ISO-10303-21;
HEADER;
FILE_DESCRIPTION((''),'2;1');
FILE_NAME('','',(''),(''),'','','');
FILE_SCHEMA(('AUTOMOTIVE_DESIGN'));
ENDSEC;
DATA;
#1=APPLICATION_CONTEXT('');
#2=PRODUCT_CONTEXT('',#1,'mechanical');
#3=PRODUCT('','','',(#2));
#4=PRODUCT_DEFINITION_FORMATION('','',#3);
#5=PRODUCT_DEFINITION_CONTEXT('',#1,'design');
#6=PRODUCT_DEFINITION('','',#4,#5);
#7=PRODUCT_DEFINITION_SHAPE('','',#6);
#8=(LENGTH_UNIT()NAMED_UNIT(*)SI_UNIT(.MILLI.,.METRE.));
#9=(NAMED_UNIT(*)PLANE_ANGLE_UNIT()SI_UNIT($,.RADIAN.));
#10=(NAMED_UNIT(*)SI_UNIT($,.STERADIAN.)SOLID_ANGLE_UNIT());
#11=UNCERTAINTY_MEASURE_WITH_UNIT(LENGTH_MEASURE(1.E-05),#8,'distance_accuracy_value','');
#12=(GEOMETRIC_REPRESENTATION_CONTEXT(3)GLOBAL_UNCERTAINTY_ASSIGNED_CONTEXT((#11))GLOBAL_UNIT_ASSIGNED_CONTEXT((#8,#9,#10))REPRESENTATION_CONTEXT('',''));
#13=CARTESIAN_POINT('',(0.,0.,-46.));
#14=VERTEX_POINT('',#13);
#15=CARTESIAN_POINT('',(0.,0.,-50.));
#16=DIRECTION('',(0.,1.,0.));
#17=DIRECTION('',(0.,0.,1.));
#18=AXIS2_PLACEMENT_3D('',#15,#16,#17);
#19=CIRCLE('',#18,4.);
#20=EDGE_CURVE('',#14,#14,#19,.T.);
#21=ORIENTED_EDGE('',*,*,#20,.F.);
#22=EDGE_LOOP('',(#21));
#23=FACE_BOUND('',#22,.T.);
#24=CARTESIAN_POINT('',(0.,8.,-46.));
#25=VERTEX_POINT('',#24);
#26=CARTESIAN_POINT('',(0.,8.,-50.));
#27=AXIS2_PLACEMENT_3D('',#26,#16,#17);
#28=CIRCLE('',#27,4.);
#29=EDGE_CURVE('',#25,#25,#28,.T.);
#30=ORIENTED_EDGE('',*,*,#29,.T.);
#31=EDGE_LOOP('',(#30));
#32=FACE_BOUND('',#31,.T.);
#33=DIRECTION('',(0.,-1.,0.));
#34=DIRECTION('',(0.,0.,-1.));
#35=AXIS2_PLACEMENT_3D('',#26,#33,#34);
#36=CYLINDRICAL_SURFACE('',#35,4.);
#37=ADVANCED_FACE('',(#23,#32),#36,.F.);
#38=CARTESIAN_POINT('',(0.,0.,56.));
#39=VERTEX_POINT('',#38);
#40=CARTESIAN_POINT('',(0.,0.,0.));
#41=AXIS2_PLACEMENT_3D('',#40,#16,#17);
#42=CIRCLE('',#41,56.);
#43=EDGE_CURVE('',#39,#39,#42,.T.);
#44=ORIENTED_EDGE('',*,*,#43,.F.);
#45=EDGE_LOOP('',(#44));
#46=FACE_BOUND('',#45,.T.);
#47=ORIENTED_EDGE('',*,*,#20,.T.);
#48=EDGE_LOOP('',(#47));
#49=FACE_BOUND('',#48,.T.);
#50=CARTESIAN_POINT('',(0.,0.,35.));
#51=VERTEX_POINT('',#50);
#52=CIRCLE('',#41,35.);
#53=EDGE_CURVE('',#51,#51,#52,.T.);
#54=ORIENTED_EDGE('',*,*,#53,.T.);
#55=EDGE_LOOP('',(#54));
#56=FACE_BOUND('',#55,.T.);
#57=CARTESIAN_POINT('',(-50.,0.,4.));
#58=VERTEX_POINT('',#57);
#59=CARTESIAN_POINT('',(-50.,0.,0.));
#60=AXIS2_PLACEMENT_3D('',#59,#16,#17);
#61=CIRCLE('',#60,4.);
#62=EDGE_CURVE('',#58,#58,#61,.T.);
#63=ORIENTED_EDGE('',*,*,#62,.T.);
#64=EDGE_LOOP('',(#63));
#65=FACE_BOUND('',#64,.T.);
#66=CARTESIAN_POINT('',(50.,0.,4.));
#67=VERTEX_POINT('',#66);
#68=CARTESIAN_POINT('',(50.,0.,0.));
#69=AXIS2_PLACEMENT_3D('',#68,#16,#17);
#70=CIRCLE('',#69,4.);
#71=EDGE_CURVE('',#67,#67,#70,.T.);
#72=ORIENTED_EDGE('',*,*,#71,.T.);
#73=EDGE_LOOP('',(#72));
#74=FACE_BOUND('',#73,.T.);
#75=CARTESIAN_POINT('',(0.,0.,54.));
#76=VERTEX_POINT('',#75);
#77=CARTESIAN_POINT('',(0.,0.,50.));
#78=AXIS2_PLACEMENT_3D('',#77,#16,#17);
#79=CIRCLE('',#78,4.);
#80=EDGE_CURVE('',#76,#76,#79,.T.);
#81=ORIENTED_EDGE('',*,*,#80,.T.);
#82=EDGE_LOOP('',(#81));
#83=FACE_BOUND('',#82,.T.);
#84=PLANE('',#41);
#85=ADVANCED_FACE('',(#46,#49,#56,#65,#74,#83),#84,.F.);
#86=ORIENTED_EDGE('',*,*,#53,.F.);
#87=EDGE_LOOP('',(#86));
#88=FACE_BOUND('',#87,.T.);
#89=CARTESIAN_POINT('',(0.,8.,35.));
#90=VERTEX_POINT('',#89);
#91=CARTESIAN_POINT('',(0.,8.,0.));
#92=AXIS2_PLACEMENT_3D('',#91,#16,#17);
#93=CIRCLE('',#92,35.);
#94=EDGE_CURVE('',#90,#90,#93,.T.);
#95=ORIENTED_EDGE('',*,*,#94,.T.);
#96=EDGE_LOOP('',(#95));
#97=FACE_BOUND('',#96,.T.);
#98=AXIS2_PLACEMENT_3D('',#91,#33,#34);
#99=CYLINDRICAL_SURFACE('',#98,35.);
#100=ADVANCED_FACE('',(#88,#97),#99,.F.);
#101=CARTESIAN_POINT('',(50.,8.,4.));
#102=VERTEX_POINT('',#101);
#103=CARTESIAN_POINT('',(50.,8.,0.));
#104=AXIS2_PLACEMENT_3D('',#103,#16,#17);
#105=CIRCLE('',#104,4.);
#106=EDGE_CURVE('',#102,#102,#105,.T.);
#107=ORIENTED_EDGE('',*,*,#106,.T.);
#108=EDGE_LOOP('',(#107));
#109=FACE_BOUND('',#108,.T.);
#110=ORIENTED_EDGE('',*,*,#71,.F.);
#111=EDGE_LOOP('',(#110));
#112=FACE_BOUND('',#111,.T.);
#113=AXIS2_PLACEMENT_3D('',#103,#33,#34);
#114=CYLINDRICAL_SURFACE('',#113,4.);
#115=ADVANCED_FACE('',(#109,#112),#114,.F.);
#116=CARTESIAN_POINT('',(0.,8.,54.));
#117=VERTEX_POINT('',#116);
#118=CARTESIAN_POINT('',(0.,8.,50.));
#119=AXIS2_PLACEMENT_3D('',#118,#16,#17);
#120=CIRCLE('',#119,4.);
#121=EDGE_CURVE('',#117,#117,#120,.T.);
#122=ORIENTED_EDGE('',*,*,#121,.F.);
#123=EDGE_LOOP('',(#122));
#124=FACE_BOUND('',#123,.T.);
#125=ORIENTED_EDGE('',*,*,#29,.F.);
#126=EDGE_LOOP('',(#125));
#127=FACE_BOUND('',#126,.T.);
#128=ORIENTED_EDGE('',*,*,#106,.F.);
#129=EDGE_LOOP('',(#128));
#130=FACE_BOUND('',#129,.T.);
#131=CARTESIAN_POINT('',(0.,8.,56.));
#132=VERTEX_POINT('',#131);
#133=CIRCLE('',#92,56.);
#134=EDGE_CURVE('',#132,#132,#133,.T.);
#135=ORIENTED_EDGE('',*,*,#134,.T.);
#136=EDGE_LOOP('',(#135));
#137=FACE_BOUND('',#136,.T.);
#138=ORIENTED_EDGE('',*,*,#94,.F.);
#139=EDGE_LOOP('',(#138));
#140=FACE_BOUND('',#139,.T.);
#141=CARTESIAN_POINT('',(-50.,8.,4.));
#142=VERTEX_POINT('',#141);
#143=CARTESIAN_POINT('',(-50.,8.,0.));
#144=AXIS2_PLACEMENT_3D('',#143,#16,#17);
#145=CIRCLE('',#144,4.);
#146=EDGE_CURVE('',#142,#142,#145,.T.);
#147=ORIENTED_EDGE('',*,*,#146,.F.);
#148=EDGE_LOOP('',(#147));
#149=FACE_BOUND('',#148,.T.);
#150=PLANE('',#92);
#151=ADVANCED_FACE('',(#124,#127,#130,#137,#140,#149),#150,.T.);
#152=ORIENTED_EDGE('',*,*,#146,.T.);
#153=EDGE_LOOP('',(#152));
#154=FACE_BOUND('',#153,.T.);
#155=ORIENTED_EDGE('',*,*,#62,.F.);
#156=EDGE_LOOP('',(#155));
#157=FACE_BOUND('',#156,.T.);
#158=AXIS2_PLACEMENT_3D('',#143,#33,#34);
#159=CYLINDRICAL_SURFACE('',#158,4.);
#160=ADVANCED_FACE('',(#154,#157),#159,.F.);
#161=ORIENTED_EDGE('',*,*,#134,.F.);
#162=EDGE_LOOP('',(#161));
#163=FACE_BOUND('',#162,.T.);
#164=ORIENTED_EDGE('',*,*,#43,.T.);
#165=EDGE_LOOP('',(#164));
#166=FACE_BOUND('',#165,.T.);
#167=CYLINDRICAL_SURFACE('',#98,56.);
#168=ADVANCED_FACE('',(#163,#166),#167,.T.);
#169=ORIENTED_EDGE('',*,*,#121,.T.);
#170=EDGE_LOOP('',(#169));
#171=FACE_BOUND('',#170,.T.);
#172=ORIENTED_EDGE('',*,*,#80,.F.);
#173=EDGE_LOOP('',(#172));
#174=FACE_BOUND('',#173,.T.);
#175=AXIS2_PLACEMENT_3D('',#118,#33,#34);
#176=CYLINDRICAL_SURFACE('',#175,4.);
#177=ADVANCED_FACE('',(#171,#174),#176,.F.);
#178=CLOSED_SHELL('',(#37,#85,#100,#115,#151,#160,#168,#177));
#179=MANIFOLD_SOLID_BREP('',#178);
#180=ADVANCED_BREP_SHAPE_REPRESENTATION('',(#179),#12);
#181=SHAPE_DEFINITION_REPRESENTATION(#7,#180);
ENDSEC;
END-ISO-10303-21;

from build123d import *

# Parameters (mm, degrees)
ESQUISSE1_R        = 56
ESQUISSE1_R_2      = 35
ESQUISSE1_R_3      = 4
BOSS_EXTRU_1_DEPTH = 8


with BuildPart() as part:
    # Esquisse1 → Boss.-Extru.1 (new body)
    with BuildSketch(Plane(origin=(0, 0, 0), x_dir=(1, 0, 0), z_dir=(0, 1, 0))):
        with Locations(Location((0, 0, 0), (0, 0, 270))):  # turned: the seam where the file's is
            Circle(ESQUISSE1_R)
        with Locations(Location((0, 0, 0), (0, 0, 270))):  # turned: the seam where the file's is
            Circle(ESQUISSE1_R_2, mode=Mode.SUBTRACT)
        with Locations(Location((0, 50, 0), (0, 0, 270))):  # turned: the seam where the file's is
            Circle(ESQUISSE1_R_3, mode=Mode.SUBTRACT)
        with Locations(Location((50, 0, 0), (0, 0, 270))):  # turned: the seam where the file's is
            Circle(ESQUISSE1_R_3, mode=Mode.SUBTRACT)
        with Locations(Location((0, -50, 0), (0, 0, 270))):  # turned: the seam where the file's is
            Circle(ESQUISSE1_R_3, mode=Mode.SUBTRACT)
        with Locations(Location((-50, 0, 0), (0, 0, 270))):  # turned: the seam where the file's is
            Circle(ESQUISSE1_R_3, mode=Mode.SUBTRACT)
    extrude(amount=BOSS_EXTRU_1_DEPTH)


solid = part.part
